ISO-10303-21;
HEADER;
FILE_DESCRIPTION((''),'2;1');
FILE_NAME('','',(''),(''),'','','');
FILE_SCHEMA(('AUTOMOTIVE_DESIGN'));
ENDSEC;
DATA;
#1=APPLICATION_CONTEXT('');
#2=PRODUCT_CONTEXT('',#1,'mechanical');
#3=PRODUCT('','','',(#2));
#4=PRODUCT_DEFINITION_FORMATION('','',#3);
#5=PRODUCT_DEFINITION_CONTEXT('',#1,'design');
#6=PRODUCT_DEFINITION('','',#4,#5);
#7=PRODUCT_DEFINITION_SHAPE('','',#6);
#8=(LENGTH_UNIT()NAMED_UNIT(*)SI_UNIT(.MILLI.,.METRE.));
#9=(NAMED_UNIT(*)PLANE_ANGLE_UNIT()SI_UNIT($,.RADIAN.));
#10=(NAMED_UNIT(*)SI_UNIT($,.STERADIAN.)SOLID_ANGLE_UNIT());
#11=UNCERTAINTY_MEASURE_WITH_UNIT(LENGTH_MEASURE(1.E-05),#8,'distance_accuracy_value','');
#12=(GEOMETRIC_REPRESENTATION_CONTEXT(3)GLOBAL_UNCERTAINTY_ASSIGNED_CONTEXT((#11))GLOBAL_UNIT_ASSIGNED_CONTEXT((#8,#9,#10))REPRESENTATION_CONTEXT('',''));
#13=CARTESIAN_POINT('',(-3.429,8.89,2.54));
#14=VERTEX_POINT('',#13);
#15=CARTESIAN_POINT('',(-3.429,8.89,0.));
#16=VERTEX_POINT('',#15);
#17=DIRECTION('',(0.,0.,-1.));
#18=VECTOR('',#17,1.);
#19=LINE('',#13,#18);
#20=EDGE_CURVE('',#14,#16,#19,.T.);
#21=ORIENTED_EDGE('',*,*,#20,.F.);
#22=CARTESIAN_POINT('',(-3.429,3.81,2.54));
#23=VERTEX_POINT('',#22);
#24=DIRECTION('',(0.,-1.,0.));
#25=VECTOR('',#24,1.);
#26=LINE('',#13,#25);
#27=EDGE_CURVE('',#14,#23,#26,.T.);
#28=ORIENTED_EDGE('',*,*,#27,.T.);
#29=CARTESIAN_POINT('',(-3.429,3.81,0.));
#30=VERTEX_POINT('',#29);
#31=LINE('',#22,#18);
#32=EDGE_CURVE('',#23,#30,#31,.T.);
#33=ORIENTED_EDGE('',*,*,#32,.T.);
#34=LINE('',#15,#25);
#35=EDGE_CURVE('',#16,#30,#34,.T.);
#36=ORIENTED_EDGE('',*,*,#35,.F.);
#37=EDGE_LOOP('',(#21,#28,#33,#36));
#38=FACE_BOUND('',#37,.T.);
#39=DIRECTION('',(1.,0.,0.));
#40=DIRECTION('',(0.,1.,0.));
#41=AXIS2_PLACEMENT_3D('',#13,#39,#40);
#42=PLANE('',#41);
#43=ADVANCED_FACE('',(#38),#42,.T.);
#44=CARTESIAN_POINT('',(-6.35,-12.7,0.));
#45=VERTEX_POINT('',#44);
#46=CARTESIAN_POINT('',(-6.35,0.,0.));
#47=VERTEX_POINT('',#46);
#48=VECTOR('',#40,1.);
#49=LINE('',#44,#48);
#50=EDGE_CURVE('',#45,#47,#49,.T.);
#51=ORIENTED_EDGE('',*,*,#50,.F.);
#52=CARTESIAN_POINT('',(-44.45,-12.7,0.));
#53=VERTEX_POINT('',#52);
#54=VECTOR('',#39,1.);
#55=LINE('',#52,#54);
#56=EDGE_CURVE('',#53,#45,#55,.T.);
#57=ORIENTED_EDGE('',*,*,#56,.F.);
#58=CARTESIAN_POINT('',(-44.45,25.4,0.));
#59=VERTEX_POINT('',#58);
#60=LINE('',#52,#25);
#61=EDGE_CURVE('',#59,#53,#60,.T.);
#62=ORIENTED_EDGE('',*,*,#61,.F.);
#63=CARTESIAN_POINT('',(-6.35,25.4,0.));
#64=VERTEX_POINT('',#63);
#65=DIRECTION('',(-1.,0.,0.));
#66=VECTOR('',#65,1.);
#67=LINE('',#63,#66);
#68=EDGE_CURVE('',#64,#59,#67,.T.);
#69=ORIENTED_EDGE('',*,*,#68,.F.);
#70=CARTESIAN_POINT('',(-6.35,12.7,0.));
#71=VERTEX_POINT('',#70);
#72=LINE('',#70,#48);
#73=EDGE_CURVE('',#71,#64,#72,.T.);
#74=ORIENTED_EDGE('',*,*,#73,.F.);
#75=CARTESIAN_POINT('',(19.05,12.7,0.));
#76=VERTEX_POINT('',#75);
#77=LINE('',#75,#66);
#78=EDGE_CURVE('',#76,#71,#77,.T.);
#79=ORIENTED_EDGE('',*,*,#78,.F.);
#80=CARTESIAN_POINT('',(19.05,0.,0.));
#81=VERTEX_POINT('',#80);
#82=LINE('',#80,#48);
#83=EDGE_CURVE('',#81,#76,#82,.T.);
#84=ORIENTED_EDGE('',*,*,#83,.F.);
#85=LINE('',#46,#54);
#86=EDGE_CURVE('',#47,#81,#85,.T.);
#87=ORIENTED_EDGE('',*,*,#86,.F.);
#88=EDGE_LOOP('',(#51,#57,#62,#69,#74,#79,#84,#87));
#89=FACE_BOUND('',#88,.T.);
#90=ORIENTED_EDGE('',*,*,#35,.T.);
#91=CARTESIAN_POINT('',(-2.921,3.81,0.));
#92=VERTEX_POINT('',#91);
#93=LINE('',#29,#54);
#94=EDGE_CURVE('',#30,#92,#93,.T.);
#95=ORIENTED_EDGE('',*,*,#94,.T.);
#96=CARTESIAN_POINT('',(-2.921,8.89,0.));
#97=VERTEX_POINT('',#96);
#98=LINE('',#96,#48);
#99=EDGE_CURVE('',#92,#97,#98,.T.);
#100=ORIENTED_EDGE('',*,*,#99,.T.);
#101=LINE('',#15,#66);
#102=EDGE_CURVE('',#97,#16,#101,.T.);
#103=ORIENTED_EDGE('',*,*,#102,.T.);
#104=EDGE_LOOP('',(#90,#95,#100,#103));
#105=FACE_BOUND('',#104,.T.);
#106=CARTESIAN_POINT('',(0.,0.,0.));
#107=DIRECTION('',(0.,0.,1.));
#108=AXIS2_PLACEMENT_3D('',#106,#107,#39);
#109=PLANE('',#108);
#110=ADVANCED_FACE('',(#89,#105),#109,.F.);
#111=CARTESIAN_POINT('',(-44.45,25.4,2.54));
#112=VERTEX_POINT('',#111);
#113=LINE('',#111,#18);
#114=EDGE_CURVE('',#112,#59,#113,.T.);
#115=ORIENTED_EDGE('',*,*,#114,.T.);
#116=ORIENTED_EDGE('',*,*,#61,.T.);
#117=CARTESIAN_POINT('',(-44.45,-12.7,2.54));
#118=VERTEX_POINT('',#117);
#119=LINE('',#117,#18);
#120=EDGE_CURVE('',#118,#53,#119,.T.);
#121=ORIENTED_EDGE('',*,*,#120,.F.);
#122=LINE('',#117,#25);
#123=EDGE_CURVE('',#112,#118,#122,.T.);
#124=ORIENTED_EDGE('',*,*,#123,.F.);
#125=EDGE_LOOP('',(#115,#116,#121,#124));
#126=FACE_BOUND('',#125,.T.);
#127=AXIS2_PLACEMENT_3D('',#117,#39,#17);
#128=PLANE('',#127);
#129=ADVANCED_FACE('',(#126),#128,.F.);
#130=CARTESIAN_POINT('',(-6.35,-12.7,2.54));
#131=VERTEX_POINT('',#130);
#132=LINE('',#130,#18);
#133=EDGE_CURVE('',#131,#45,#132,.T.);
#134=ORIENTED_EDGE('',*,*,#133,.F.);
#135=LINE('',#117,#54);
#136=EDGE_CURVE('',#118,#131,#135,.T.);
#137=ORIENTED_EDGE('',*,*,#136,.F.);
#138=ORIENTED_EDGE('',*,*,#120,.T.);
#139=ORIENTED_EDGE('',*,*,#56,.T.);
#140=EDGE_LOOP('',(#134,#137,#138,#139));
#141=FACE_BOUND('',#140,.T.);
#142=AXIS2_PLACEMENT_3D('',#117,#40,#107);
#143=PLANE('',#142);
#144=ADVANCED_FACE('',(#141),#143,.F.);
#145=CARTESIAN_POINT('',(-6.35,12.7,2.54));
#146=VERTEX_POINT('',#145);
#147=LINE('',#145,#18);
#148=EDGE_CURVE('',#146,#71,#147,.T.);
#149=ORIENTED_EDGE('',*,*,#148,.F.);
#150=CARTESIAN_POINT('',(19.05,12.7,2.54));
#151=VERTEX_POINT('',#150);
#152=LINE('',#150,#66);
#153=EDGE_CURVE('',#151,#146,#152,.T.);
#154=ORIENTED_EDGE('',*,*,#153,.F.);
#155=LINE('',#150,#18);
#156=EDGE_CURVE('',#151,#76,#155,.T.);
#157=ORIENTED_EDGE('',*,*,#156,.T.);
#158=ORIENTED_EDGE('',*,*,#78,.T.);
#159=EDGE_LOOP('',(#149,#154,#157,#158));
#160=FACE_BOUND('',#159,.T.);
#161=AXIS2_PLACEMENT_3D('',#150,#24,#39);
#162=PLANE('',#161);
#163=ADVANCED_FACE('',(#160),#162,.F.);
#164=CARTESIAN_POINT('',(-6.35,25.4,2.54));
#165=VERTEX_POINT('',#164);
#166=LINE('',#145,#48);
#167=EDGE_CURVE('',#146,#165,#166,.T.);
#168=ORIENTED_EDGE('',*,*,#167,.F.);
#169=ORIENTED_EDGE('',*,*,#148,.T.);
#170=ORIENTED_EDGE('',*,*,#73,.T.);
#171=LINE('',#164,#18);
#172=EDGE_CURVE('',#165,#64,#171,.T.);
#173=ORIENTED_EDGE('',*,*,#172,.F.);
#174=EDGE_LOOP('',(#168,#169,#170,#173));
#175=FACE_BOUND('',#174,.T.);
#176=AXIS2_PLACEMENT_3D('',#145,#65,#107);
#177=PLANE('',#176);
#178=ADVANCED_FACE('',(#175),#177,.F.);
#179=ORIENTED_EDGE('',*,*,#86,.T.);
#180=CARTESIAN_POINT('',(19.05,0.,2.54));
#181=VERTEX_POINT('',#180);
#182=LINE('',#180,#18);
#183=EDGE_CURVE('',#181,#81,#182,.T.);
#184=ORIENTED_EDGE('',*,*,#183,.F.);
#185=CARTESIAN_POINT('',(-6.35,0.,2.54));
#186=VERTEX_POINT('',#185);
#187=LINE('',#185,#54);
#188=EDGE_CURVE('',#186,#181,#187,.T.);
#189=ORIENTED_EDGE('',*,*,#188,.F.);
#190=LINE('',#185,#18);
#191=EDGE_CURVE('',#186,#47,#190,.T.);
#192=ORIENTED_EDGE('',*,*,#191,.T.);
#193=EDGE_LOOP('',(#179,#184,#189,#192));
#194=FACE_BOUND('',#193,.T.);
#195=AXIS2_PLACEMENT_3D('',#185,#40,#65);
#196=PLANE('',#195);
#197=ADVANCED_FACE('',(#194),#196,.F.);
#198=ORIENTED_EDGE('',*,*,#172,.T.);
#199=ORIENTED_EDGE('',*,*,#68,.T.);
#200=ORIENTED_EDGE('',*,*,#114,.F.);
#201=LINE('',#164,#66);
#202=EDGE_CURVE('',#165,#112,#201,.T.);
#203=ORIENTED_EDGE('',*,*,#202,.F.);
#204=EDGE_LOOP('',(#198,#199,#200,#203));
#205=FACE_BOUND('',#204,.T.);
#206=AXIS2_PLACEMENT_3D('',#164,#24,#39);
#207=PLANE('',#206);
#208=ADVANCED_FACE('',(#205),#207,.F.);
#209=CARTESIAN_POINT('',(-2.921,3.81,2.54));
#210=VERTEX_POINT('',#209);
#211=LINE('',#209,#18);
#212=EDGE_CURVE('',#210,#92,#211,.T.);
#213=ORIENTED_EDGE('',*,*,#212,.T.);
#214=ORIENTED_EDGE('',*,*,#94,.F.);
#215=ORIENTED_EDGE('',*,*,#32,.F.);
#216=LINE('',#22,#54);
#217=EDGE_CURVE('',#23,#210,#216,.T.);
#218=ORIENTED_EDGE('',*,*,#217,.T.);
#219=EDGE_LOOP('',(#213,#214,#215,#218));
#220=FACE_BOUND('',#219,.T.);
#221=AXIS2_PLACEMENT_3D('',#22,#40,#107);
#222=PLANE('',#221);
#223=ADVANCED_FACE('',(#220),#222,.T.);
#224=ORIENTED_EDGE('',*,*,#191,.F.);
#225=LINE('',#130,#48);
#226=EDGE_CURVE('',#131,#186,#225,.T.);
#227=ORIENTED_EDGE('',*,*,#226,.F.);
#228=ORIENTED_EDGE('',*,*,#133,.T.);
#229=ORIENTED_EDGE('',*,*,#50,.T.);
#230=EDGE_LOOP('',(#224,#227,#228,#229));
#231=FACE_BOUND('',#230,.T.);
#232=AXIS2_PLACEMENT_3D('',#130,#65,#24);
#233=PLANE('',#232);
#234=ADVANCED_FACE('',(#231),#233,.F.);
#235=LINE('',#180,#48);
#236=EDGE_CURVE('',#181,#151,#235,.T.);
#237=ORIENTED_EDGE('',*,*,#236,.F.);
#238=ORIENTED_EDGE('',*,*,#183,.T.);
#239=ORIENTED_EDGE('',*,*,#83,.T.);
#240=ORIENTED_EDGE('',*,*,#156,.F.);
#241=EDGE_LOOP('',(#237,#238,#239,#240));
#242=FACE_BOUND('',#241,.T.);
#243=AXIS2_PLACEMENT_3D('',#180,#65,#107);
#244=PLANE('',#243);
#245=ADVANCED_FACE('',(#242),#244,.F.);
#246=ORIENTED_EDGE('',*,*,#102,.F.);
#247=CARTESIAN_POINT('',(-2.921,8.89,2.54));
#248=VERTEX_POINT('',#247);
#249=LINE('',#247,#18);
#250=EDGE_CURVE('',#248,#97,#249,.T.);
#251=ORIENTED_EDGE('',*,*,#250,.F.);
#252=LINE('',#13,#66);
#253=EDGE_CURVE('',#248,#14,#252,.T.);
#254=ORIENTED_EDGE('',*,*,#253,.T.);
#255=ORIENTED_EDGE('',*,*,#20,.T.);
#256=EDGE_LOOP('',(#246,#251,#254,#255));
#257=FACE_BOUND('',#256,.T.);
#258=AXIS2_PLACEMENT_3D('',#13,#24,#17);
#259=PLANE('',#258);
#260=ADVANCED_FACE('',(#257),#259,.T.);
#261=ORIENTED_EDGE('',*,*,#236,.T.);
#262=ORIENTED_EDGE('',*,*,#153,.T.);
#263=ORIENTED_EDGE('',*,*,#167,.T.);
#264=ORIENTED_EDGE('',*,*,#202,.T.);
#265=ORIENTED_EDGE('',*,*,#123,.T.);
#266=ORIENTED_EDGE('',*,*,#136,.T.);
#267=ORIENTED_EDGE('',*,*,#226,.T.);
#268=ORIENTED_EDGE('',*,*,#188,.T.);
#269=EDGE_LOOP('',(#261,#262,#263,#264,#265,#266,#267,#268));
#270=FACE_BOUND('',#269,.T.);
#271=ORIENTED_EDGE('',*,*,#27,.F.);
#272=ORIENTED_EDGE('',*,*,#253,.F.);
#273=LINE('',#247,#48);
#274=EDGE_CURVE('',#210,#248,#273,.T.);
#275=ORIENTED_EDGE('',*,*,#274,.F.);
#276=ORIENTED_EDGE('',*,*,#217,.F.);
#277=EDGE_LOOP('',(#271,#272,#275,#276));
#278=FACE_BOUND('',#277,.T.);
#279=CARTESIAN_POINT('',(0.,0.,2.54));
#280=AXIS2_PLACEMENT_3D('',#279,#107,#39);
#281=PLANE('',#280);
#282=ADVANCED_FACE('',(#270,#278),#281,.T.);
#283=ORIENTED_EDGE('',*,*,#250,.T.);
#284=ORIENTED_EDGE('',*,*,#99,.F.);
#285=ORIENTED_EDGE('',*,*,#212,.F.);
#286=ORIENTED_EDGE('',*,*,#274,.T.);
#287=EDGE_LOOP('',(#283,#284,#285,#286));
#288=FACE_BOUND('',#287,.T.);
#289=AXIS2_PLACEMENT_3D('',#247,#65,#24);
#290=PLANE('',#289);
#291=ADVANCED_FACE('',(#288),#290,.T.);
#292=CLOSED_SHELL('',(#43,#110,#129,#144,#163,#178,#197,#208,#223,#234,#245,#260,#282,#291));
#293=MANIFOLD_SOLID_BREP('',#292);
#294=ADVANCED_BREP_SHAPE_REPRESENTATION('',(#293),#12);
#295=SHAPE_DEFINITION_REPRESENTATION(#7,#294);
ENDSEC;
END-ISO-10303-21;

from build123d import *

# Parameters (mm, degrees)
SKETCH1_W           = 0.508
SKETCH1_H           = 5.08
BOSS_EXTRUDE1_DEPTH = 2.54


with BuildPart() as part:
    # Sketch1 → Boss-Extrude1 (new body)
    with BuildSketch(Plane.XY):
        Polygon((-6.35, 12.7), (-6.35, 25.4), (-44.45, 25.4), (-44.45, -12.7), (-6.35, -12.7), (-6.35, 0), (19.05, 0), (19.05, 12.7), align=None)
        with Locations((-3.175, 6.35)):
            Rectangle(SKETCH1_W, SKETCH1_H, mode=Mode.SUBTRACT)
    extrude(amount=BOSS_EXTRUDE1_DEPTH)


solid = part.part
